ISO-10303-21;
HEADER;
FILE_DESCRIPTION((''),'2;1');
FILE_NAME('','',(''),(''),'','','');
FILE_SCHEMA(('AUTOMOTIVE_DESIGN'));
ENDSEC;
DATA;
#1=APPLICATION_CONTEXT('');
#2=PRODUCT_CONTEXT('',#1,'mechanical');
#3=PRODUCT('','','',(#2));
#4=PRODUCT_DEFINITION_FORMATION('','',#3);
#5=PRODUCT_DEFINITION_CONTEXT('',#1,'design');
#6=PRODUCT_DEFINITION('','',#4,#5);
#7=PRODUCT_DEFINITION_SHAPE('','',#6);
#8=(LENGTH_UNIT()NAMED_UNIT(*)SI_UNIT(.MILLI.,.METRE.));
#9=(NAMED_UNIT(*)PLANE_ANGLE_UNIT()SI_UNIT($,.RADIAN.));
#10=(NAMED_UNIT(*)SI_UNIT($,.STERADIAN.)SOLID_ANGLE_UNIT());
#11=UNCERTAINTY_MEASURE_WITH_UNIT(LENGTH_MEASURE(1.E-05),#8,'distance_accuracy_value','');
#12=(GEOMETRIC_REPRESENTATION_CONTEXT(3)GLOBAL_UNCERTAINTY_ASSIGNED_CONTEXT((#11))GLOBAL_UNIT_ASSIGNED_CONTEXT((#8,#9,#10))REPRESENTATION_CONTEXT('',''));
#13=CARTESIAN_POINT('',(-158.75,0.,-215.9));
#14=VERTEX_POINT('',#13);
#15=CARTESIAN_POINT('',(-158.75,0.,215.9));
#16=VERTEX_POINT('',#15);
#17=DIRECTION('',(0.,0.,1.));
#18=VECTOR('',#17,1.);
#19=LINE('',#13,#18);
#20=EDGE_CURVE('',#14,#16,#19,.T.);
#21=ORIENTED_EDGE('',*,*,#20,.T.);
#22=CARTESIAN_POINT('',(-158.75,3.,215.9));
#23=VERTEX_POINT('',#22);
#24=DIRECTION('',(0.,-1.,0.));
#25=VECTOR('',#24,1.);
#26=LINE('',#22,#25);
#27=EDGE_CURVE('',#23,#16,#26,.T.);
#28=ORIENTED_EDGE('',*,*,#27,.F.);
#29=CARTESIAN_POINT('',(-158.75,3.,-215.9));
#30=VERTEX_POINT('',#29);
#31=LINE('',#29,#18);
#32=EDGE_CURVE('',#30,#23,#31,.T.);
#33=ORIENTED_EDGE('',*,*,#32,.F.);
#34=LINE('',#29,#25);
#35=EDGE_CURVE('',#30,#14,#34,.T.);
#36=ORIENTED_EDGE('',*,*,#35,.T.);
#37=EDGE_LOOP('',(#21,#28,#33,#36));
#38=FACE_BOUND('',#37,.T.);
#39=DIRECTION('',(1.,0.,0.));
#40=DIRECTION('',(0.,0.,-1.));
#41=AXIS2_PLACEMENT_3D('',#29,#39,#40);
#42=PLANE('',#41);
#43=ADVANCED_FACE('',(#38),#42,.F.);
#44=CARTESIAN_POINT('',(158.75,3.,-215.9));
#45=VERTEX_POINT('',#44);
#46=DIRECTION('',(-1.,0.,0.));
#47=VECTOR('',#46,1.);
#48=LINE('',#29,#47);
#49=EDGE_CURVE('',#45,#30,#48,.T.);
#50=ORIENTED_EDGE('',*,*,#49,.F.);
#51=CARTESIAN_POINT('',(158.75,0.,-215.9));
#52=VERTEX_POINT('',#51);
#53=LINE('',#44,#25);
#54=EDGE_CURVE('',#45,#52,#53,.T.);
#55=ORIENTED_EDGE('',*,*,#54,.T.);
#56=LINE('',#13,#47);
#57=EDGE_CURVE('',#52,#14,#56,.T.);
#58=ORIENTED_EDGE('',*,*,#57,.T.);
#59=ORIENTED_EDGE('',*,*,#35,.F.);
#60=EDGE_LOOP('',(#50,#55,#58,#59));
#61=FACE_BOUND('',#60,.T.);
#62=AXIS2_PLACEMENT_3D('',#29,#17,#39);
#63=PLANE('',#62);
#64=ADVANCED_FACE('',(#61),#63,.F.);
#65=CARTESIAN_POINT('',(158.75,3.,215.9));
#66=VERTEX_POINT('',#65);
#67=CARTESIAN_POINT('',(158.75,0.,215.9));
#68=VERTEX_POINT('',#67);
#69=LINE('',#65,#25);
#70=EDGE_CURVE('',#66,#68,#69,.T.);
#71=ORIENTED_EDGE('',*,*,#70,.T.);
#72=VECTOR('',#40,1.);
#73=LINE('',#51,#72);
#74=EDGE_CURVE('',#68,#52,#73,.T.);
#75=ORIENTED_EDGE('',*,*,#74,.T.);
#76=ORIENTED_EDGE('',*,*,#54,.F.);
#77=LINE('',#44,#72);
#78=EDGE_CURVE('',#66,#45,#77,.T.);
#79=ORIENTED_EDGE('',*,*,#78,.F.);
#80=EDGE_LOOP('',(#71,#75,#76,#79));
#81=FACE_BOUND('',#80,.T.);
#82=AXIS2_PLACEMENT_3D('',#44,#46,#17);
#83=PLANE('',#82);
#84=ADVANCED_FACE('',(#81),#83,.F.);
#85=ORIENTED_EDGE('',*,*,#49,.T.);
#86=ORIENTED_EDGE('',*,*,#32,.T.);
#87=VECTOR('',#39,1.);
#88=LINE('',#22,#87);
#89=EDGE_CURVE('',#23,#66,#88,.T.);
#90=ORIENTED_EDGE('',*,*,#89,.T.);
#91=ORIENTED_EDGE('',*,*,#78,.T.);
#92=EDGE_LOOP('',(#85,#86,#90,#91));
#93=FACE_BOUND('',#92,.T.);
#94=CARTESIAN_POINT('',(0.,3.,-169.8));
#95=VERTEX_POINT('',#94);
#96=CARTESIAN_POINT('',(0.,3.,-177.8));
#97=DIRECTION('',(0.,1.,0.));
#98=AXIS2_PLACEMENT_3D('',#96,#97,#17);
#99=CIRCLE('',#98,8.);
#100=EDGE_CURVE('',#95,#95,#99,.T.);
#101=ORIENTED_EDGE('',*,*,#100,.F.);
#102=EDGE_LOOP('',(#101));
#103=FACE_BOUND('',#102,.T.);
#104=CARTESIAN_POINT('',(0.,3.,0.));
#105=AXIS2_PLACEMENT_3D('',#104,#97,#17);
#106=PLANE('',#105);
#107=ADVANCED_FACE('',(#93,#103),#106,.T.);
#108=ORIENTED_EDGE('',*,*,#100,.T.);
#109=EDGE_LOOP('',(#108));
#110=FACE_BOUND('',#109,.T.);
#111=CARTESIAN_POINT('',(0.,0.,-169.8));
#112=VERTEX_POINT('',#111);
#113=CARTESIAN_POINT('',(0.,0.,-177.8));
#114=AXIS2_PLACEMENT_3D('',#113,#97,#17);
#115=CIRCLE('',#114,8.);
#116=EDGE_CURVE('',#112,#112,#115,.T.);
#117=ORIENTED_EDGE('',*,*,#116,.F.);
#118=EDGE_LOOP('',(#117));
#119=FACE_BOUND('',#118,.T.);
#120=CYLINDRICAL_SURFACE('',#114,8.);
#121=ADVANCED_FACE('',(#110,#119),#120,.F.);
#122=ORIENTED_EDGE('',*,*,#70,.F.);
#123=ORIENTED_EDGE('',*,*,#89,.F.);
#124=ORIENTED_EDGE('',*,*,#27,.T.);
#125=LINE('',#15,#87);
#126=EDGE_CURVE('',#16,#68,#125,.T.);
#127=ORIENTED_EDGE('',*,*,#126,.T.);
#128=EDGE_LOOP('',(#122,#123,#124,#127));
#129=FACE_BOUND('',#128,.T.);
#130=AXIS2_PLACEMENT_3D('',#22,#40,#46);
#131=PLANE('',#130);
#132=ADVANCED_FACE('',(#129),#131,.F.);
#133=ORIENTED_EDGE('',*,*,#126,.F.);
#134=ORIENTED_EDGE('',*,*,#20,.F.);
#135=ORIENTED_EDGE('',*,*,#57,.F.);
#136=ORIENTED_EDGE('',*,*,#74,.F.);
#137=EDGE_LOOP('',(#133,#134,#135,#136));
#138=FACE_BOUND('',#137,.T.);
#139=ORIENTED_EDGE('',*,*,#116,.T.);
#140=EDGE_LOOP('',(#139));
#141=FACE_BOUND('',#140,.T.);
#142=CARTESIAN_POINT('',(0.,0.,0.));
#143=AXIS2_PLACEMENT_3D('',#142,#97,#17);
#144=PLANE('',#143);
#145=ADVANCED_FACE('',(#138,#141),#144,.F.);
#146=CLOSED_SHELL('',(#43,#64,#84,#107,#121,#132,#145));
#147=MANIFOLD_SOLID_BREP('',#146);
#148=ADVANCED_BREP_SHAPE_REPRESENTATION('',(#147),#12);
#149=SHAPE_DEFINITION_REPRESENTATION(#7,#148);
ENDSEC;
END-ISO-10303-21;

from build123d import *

# Parameters (mm, degrees)
SKETCH1_W           = 317.5
SKETCH1_H           = 431.8
BOSS_EXTRUDE1_DEPTH = 3
SKETCH2_R           = 8
CUT_EXTRUDE1_DEPTH  = 4


with BuildPart() as part:
    # Sketch1 → Boss-Extrude1 (new body)
    with BuildSketch(Plane(origin=(0, 0, 0), x_dir=(1, 0, 0), z_dir=(0, 1, 0))):
        Rectangle(SKETCH1_W, SKETCH1_H)
    extrude(amount=BOSS_EXTRUDE1_DEPTH)

    # Sketch2 → Cut-Extrude1 (cut, through all)
    with BuildSketch(Plane(origin=(0, 3, 0), x_dir=(1, 0, 0), z_dir=(0, 1, 0))):
        with Locations((0, 177.8)):
            Circle(SKETCH2_R)
    extrude(amount=-CUT_EXTRUDE1_DEPTH, mode=Mode.SUBTRACT)


solid = part.part
